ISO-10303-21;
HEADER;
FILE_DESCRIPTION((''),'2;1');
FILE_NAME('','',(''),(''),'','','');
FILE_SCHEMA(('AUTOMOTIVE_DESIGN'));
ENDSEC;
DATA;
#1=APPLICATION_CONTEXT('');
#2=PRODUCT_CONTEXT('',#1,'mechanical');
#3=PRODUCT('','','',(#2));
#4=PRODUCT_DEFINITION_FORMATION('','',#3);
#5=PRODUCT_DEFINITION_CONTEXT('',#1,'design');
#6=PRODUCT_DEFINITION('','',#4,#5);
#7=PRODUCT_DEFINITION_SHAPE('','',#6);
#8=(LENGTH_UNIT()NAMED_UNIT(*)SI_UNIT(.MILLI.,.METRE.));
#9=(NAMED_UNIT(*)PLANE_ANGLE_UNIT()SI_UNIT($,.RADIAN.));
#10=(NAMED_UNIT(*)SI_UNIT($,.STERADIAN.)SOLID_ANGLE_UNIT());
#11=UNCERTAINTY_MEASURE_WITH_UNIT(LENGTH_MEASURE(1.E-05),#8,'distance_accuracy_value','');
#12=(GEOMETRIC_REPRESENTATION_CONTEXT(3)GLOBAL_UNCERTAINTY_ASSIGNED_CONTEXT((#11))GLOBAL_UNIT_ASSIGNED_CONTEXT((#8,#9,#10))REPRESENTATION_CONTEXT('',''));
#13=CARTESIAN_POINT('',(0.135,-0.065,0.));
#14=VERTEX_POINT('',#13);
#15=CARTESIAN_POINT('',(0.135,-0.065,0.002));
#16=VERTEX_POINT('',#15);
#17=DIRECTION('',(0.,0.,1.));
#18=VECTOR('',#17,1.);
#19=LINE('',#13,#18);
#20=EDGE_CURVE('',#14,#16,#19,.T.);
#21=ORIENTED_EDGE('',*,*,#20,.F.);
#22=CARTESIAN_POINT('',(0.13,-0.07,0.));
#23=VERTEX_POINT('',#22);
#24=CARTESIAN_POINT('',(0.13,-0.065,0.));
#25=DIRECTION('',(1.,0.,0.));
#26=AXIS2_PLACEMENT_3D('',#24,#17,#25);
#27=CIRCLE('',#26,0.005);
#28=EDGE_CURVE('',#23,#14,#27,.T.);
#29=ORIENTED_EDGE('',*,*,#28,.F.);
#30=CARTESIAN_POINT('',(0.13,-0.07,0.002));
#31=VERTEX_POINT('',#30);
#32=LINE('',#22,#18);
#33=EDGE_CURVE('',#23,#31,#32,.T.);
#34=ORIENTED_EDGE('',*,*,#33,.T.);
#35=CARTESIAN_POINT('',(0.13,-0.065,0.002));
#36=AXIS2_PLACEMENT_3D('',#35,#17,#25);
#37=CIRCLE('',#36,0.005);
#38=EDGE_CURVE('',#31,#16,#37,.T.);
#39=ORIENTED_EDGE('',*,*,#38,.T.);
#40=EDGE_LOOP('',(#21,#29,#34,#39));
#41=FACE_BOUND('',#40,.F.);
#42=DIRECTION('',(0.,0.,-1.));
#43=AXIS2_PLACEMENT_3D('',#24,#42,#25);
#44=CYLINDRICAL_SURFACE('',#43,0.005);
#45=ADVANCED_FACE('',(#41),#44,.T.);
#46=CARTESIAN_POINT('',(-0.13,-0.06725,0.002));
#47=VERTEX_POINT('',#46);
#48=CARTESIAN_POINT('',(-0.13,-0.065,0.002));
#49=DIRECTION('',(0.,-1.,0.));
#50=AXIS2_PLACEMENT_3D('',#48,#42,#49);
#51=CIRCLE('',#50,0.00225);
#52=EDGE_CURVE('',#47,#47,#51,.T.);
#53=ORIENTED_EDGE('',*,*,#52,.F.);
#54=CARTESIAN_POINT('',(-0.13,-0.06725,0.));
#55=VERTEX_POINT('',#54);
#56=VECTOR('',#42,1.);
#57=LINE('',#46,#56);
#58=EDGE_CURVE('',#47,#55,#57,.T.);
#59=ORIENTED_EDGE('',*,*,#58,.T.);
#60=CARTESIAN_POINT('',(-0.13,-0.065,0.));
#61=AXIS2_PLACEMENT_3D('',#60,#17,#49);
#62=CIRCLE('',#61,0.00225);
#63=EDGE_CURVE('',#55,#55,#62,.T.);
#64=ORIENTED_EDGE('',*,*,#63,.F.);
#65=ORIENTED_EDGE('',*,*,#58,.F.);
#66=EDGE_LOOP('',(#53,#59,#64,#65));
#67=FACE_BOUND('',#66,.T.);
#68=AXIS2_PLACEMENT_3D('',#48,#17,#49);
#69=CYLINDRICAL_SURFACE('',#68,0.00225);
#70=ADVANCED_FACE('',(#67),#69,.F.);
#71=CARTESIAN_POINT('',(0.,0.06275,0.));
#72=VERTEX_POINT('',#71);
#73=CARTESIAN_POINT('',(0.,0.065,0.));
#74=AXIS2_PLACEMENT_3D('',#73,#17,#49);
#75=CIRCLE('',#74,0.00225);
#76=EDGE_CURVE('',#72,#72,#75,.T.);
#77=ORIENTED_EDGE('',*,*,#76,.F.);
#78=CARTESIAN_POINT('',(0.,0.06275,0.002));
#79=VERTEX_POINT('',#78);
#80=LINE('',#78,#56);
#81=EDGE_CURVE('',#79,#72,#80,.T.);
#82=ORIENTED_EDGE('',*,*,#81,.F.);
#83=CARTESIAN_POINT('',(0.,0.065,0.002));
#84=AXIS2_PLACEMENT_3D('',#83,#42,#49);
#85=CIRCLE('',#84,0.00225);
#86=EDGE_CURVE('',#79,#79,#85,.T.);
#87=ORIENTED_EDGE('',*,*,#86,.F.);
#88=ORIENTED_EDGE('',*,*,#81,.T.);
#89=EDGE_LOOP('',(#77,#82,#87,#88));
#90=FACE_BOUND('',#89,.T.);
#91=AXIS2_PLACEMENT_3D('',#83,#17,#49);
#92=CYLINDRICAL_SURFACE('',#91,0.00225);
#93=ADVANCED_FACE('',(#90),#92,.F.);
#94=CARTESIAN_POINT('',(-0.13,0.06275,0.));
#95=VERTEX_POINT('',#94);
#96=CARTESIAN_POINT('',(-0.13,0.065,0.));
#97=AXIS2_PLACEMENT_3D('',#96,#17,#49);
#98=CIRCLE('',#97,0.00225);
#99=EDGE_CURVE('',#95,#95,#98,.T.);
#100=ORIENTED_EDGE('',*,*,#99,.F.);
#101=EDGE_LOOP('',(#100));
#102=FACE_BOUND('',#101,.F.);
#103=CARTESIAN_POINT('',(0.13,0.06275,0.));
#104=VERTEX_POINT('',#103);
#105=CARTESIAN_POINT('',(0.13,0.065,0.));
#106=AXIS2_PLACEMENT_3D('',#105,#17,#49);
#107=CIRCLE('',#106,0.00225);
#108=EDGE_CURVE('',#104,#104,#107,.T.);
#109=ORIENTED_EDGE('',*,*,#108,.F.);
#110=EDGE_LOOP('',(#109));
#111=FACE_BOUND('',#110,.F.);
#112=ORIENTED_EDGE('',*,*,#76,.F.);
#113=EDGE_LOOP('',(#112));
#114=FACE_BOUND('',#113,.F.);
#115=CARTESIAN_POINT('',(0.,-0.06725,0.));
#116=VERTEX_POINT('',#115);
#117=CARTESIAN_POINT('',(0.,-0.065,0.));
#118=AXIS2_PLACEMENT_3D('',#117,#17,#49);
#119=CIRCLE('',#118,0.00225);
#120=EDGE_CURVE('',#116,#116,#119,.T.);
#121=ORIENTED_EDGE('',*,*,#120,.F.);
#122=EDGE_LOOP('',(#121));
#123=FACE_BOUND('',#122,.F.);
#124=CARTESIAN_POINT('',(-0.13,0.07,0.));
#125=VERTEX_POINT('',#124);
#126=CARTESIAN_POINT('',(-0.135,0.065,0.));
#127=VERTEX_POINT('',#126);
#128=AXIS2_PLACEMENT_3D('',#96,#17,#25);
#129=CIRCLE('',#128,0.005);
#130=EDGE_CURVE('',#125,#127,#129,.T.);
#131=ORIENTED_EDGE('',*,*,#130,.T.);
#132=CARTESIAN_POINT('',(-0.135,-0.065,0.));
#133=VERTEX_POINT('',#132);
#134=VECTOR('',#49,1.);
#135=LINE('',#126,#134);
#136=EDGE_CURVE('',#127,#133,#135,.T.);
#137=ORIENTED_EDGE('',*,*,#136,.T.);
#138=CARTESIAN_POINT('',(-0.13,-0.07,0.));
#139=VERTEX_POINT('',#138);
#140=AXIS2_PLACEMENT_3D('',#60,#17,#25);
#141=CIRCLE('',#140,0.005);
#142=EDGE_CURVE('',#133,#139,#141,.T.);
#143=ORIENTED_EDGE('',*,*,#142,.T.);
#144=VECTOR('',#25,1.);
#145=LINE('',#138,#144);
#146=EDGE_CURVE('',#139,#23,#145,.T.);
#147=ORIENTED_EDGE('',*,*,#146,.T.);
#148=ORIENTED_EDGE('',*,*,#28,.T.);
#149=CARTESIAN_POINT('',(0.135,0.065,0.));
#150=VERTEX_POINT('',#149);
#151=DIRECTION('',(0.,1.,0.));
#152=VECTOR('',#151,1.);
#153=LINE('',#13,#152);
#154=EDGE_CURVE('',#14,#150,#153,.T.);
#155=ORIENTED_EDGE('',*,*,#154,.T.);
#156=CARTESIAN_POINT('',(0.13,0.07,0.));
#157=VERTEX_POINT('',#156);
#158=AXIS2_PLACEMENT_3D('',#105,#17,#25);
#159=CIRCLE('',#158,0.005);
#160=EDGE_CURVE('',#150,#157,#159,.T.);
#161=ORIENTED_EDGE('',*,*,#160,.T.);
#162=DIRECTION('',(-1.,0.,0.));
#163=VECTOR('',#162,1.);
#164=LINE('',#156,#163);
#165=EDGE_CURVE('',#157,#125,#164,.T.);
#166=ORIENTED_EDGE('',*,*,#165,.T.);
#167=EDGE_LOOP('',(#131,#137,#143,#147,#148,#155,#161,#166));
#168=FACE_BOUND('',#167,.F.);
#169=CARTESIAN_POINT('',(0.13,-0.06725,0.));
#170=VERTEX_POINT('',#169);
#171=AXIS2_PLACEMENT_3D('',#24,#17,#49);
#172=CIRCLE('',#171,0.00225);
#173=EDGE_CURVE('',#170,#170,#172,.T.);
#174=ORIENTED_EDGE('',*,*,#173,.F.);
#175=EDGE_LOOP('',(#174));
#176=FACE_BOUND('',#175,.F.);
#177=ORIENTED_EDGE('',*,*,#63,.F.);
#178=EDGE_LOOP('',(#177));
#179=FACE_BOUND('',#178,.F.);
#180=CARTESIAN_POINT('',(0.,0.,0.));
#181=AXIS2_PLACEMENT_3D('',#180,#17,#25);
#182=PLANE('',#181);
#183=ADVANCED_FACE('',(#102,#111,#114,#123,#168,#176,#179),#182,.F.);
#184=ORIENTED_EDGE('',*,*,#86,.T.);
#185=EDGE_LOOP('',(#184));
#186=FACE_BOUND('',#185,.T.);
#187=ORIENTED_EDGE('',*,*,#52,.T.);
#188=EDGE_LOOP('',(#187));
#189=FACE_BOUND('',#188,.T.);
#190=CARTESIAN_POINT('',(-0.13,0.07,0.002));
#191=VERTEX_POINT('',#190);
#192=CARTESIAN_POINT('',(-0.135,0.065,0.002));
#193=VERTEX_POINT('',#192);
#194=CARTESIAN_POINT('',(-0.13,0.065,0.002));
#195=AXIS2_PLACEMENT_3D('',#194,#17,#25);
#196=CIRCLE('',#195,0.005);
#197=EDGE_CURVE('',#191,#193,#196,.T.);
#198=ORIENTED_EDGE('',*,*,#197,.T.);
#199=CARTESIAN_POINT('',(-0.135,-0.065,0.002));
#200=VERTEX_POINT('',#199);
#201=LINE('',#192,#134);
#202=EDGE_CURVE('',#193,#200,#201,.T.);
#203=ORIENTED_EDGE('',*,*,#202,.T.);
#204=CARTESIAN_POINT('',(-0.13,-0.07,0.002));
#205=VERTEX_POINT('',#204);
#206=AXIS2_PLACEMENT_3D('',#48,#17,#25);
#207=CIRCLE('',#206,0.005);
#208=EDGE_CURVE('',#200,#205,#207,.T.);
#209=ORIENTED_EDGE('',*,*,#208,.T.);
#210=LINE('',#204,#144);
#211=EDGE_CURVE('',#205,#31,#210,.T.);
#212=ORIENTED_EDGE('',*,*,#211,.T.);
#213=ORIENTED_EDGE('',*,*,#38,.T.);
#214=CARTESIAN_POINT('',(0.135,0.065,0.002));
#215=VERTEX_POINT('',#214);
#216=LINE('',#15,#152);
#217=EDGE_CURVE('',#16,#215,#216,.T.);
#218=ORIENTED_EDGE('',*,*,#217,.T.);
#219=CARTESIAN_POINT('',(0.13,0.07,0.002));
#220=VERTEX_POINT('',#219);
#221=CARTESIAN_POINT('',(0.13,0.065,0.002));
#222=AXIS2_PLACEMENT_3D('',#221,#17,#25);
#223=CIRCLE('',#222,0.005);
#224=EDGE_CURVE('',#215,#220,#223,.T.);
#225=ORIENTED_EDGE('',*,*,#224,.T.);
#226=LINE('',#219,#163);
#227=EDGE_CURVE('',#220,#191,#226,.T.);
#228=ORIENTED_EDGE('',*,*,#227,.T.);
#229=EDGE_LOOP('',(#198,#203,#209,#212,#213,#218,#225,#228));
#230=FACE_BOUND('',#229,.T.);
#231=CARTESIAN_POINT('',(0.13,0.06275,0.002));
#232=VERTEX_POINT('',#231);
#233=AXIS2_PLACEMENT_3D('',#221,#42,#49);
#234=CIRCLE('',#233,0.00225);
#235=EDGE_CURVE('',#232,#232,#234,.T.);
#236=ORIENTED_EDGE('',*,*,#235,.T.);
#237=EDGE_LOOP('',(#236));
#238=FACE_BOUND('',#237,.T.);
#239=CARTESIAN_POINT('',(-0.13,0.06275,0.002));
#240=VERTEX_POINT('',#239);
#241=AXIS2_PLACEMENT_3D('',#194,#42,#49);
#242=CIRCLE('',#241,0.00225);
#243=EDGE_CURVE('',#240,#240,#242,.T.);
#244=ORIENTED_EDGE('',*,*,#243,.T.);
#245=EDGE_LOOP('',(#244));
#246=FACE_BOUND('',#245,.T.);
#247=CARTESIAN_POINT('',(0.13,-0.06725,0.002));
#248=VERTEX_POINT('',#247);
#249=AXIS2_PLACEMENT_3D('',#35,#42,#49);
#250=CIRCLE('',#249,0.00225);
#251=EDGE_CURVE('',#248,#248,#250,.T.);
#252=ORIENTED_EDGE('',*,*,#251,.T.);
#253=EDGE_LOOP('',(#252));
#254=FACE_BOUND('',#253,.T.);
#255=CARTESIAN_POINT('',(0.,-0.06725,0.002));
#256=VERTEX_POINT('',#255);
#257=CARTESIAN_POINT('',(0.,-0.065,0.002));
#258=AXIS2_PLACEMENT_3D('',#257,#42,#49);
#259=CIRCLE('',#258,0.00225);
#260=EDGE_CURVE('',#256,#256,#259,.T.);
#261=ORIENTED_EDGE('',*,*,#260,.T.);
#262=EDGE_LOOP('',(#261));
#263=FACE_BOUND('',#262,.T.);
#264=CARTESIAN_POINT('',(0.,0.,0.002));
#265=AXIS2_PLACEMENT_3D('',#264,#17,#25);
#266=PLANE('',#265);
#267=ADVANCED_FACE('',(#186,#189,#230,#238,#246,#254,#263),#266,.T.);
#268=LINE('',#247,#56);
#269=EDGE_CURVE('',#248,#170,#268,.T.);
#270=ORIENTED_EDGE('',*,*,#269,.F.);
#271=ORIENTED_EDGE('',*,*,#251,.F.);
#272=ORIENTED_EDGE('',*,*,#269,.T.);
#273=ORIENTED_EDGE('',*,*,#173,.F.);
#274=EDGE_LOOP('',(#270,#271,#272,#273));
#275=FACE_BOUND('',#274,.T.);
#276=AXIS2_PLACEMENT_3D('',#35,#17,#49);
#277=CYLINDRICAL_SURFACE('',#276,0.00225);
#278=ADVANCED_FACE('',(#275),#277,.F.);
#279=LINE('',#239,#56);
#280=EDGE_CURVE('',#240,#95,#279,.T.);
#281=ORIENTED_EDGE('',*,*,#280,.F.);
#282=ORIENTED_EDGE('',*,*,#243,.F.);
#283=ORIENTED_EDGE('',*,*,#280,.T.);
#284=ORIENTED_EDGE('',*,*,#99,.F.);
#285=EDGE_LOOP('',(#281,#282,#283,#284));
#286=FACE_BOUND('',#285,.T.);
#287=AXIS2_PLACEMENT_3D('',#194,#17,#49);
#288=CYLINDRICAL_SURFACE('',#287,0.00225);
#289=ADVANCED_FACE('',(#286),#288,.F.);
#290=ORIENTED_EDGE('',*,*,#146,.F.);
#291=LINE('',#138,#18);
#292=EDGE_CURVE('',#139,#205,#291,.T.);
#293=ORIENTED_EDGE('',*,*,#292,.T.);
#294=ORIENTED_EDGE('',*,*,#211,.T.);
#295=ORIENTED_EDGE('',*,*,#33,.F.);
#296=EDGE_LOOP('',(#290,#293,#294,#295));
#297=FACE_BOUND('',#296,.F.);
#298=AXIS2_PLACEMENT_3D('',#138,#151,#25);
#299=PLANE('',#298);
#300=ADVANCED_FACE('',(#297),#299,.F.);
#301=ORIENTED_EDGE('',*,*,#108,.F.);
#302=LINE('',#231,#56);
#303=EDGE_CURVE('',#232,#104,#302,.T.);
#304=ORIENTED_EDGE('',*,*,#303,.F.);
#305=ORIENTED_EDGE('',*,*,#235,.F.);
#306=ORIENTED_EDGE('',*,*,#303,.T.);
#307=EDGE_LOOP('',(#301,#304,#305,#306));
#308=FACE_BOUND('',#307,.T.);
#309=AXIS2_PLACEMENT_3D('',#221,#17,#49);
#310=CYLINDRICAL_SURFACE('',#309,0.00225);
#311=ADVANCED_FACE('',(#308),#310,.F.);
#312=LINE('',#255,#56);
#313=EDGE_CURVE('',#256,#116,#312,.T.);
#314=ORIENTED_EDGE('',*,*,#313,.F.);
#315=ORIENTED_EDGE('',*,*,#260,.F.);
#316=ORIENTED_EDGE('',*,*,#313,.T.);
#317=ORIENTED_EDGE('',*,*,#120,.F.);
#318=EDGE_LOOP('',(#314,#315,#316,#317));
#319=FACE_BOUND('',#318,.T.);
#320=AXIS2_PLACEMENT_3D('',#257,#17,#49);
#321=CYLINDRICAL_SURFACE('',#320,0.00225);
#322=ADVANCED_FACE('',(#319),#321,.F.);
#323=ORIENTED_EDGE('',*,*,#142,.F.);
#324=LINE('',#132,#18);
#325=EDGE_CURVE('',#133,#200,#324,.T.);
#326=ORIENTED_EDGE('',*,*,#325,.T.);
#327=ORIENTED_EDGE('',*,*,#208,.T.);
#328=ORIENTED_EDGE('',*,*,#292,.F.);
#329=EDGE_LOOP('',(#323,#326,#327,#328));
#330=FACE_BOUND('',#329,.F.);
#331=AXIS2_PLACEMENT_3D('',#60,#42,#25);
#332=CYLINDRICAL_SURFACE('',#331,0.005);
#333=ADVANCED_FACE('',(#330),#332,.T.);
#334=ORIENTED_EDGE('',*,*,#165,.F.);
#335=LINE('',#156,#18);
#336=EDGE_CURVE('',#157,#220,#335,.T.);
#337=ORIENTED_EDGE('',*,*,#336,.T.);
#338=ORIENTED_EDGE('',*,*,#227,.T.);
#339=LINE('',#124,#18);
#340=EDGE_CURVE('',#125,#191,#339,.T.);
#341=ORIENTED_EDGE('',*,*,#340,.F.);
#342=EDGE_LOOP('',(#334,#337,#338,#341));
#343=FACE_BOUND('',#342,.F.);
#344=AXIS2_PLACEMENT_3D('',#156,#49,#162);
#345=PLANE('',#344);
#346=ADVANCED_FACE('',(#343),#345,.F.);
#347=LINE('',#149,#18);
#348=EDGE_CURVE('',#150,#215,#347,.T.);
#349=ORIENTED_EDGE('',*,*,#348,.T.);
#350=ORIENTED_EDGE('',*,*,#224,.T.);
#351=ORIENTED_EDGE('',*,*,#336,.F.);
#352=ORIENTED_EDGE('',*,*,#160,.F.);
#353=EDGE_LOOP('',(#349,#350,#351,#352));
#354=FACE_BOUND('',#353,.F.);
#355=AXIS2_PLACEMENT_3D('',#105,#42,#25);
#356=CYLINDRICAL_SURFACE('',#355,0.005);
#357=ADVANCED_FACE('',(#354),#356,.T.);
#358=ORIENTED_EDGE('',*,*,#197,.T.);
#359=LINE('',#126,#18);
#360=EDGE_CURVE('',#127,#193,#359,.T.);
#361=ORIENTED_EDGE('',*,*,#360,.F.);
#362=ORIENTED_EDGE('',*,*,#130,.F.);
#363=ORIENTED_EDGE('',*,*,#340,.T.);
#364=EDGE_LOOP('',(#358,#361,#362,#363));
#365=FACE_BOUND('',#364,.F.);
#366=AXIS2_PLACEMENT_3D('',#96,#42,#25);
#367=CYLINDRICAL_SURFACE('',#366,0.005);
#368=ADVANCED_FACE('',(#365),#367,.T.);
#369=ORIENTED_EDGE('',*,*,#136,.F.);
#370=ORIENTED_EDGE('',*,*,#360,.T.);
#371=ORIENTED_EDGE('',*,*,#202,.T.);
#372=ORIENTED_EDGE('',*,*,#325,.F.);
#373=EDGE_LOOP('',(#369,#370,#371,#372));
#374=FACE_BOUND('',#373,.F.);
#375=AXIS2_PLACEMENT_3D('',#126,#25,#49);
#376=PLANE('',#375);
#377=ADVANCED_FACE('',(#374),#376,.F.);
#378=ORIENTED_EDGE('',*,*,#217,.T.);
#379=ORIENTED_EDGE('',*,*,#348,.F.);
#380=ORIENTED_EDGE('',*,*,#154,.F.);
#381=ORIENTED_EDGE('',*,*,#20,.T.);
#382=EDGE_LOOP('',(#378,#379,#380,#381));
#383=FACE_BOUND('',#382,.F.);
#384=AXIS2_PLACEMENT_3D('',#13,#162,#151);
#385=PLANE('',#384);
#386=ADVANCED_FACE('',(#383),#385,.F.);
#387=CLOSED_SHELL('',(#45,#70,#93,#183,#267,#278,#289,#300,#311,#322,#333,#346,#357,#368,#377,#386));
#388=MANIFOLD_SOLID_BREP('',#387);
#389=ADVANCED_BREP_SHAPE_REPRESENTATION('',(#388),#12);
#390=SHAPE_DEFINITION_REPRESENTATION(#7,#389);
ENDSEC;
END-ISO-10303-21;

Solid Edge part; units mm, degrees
sketch "Sketch1" plane through (0, 0, 0) normal (0, 0, 1) x (1, 0, 0)
  line L0 (-0.13, -0.07) -> (0.13, -0.07)
  arc A0 (0.13, -0.07) -> (0.135, -0.065) centre (0.13, -0.065) ccw
  line L1 (0.135, -0.065) -> (0.135, 0.065)
  arc A1 (0.135, 0.065) -> (0.13, 0.07) centre (0.13, 0.065) ccw
  line L2 (0.13, 0.07) -> (-0.13, 0.07)
  arc A2 (-0.13, 0.07) -> (-0.135, 0.065) centre (-0.13, 0.065) ccw
  line L3 (-0.135, 0.065) -> (-0.135, -0.065)
  arc A3 (-0.135, -0.065) -> (-0.13, -0.07) centre (-0.13, -0.065) ccw
  dimension "D1" = 0.27
  dimension "D2" = 0.14
extrude "Protrusion1" add sketch "Sketch1" along normal blind 0.002
hole "Bohrung_1" at (0, 0.065, 0.002) direction (0, 0, -1) diameter 0.0045 end up to next
hole "Hole1" at (0.13, 0.065, 0.002) direction (0, 0, -1) diameter 0.0045 end up to next
hole "Hole2" at (0.13, -0.065, 0.002) direction (0, 0, -1) diameter 0.0045 end up to next
hole "Hole3" at (0, -0.065, 0.002) direction (0, 0, -1) diameter 0.0045 end up to next
hole "Hole4" at (-0.13, -0.065, 0.002) direction (0, 0, -1) diameter 0.0045 end up to next
hole "Hole5" at (-0.13, 0.065, 0.002) direction (0, 0, -1) diameter 0.0045 end up to next
